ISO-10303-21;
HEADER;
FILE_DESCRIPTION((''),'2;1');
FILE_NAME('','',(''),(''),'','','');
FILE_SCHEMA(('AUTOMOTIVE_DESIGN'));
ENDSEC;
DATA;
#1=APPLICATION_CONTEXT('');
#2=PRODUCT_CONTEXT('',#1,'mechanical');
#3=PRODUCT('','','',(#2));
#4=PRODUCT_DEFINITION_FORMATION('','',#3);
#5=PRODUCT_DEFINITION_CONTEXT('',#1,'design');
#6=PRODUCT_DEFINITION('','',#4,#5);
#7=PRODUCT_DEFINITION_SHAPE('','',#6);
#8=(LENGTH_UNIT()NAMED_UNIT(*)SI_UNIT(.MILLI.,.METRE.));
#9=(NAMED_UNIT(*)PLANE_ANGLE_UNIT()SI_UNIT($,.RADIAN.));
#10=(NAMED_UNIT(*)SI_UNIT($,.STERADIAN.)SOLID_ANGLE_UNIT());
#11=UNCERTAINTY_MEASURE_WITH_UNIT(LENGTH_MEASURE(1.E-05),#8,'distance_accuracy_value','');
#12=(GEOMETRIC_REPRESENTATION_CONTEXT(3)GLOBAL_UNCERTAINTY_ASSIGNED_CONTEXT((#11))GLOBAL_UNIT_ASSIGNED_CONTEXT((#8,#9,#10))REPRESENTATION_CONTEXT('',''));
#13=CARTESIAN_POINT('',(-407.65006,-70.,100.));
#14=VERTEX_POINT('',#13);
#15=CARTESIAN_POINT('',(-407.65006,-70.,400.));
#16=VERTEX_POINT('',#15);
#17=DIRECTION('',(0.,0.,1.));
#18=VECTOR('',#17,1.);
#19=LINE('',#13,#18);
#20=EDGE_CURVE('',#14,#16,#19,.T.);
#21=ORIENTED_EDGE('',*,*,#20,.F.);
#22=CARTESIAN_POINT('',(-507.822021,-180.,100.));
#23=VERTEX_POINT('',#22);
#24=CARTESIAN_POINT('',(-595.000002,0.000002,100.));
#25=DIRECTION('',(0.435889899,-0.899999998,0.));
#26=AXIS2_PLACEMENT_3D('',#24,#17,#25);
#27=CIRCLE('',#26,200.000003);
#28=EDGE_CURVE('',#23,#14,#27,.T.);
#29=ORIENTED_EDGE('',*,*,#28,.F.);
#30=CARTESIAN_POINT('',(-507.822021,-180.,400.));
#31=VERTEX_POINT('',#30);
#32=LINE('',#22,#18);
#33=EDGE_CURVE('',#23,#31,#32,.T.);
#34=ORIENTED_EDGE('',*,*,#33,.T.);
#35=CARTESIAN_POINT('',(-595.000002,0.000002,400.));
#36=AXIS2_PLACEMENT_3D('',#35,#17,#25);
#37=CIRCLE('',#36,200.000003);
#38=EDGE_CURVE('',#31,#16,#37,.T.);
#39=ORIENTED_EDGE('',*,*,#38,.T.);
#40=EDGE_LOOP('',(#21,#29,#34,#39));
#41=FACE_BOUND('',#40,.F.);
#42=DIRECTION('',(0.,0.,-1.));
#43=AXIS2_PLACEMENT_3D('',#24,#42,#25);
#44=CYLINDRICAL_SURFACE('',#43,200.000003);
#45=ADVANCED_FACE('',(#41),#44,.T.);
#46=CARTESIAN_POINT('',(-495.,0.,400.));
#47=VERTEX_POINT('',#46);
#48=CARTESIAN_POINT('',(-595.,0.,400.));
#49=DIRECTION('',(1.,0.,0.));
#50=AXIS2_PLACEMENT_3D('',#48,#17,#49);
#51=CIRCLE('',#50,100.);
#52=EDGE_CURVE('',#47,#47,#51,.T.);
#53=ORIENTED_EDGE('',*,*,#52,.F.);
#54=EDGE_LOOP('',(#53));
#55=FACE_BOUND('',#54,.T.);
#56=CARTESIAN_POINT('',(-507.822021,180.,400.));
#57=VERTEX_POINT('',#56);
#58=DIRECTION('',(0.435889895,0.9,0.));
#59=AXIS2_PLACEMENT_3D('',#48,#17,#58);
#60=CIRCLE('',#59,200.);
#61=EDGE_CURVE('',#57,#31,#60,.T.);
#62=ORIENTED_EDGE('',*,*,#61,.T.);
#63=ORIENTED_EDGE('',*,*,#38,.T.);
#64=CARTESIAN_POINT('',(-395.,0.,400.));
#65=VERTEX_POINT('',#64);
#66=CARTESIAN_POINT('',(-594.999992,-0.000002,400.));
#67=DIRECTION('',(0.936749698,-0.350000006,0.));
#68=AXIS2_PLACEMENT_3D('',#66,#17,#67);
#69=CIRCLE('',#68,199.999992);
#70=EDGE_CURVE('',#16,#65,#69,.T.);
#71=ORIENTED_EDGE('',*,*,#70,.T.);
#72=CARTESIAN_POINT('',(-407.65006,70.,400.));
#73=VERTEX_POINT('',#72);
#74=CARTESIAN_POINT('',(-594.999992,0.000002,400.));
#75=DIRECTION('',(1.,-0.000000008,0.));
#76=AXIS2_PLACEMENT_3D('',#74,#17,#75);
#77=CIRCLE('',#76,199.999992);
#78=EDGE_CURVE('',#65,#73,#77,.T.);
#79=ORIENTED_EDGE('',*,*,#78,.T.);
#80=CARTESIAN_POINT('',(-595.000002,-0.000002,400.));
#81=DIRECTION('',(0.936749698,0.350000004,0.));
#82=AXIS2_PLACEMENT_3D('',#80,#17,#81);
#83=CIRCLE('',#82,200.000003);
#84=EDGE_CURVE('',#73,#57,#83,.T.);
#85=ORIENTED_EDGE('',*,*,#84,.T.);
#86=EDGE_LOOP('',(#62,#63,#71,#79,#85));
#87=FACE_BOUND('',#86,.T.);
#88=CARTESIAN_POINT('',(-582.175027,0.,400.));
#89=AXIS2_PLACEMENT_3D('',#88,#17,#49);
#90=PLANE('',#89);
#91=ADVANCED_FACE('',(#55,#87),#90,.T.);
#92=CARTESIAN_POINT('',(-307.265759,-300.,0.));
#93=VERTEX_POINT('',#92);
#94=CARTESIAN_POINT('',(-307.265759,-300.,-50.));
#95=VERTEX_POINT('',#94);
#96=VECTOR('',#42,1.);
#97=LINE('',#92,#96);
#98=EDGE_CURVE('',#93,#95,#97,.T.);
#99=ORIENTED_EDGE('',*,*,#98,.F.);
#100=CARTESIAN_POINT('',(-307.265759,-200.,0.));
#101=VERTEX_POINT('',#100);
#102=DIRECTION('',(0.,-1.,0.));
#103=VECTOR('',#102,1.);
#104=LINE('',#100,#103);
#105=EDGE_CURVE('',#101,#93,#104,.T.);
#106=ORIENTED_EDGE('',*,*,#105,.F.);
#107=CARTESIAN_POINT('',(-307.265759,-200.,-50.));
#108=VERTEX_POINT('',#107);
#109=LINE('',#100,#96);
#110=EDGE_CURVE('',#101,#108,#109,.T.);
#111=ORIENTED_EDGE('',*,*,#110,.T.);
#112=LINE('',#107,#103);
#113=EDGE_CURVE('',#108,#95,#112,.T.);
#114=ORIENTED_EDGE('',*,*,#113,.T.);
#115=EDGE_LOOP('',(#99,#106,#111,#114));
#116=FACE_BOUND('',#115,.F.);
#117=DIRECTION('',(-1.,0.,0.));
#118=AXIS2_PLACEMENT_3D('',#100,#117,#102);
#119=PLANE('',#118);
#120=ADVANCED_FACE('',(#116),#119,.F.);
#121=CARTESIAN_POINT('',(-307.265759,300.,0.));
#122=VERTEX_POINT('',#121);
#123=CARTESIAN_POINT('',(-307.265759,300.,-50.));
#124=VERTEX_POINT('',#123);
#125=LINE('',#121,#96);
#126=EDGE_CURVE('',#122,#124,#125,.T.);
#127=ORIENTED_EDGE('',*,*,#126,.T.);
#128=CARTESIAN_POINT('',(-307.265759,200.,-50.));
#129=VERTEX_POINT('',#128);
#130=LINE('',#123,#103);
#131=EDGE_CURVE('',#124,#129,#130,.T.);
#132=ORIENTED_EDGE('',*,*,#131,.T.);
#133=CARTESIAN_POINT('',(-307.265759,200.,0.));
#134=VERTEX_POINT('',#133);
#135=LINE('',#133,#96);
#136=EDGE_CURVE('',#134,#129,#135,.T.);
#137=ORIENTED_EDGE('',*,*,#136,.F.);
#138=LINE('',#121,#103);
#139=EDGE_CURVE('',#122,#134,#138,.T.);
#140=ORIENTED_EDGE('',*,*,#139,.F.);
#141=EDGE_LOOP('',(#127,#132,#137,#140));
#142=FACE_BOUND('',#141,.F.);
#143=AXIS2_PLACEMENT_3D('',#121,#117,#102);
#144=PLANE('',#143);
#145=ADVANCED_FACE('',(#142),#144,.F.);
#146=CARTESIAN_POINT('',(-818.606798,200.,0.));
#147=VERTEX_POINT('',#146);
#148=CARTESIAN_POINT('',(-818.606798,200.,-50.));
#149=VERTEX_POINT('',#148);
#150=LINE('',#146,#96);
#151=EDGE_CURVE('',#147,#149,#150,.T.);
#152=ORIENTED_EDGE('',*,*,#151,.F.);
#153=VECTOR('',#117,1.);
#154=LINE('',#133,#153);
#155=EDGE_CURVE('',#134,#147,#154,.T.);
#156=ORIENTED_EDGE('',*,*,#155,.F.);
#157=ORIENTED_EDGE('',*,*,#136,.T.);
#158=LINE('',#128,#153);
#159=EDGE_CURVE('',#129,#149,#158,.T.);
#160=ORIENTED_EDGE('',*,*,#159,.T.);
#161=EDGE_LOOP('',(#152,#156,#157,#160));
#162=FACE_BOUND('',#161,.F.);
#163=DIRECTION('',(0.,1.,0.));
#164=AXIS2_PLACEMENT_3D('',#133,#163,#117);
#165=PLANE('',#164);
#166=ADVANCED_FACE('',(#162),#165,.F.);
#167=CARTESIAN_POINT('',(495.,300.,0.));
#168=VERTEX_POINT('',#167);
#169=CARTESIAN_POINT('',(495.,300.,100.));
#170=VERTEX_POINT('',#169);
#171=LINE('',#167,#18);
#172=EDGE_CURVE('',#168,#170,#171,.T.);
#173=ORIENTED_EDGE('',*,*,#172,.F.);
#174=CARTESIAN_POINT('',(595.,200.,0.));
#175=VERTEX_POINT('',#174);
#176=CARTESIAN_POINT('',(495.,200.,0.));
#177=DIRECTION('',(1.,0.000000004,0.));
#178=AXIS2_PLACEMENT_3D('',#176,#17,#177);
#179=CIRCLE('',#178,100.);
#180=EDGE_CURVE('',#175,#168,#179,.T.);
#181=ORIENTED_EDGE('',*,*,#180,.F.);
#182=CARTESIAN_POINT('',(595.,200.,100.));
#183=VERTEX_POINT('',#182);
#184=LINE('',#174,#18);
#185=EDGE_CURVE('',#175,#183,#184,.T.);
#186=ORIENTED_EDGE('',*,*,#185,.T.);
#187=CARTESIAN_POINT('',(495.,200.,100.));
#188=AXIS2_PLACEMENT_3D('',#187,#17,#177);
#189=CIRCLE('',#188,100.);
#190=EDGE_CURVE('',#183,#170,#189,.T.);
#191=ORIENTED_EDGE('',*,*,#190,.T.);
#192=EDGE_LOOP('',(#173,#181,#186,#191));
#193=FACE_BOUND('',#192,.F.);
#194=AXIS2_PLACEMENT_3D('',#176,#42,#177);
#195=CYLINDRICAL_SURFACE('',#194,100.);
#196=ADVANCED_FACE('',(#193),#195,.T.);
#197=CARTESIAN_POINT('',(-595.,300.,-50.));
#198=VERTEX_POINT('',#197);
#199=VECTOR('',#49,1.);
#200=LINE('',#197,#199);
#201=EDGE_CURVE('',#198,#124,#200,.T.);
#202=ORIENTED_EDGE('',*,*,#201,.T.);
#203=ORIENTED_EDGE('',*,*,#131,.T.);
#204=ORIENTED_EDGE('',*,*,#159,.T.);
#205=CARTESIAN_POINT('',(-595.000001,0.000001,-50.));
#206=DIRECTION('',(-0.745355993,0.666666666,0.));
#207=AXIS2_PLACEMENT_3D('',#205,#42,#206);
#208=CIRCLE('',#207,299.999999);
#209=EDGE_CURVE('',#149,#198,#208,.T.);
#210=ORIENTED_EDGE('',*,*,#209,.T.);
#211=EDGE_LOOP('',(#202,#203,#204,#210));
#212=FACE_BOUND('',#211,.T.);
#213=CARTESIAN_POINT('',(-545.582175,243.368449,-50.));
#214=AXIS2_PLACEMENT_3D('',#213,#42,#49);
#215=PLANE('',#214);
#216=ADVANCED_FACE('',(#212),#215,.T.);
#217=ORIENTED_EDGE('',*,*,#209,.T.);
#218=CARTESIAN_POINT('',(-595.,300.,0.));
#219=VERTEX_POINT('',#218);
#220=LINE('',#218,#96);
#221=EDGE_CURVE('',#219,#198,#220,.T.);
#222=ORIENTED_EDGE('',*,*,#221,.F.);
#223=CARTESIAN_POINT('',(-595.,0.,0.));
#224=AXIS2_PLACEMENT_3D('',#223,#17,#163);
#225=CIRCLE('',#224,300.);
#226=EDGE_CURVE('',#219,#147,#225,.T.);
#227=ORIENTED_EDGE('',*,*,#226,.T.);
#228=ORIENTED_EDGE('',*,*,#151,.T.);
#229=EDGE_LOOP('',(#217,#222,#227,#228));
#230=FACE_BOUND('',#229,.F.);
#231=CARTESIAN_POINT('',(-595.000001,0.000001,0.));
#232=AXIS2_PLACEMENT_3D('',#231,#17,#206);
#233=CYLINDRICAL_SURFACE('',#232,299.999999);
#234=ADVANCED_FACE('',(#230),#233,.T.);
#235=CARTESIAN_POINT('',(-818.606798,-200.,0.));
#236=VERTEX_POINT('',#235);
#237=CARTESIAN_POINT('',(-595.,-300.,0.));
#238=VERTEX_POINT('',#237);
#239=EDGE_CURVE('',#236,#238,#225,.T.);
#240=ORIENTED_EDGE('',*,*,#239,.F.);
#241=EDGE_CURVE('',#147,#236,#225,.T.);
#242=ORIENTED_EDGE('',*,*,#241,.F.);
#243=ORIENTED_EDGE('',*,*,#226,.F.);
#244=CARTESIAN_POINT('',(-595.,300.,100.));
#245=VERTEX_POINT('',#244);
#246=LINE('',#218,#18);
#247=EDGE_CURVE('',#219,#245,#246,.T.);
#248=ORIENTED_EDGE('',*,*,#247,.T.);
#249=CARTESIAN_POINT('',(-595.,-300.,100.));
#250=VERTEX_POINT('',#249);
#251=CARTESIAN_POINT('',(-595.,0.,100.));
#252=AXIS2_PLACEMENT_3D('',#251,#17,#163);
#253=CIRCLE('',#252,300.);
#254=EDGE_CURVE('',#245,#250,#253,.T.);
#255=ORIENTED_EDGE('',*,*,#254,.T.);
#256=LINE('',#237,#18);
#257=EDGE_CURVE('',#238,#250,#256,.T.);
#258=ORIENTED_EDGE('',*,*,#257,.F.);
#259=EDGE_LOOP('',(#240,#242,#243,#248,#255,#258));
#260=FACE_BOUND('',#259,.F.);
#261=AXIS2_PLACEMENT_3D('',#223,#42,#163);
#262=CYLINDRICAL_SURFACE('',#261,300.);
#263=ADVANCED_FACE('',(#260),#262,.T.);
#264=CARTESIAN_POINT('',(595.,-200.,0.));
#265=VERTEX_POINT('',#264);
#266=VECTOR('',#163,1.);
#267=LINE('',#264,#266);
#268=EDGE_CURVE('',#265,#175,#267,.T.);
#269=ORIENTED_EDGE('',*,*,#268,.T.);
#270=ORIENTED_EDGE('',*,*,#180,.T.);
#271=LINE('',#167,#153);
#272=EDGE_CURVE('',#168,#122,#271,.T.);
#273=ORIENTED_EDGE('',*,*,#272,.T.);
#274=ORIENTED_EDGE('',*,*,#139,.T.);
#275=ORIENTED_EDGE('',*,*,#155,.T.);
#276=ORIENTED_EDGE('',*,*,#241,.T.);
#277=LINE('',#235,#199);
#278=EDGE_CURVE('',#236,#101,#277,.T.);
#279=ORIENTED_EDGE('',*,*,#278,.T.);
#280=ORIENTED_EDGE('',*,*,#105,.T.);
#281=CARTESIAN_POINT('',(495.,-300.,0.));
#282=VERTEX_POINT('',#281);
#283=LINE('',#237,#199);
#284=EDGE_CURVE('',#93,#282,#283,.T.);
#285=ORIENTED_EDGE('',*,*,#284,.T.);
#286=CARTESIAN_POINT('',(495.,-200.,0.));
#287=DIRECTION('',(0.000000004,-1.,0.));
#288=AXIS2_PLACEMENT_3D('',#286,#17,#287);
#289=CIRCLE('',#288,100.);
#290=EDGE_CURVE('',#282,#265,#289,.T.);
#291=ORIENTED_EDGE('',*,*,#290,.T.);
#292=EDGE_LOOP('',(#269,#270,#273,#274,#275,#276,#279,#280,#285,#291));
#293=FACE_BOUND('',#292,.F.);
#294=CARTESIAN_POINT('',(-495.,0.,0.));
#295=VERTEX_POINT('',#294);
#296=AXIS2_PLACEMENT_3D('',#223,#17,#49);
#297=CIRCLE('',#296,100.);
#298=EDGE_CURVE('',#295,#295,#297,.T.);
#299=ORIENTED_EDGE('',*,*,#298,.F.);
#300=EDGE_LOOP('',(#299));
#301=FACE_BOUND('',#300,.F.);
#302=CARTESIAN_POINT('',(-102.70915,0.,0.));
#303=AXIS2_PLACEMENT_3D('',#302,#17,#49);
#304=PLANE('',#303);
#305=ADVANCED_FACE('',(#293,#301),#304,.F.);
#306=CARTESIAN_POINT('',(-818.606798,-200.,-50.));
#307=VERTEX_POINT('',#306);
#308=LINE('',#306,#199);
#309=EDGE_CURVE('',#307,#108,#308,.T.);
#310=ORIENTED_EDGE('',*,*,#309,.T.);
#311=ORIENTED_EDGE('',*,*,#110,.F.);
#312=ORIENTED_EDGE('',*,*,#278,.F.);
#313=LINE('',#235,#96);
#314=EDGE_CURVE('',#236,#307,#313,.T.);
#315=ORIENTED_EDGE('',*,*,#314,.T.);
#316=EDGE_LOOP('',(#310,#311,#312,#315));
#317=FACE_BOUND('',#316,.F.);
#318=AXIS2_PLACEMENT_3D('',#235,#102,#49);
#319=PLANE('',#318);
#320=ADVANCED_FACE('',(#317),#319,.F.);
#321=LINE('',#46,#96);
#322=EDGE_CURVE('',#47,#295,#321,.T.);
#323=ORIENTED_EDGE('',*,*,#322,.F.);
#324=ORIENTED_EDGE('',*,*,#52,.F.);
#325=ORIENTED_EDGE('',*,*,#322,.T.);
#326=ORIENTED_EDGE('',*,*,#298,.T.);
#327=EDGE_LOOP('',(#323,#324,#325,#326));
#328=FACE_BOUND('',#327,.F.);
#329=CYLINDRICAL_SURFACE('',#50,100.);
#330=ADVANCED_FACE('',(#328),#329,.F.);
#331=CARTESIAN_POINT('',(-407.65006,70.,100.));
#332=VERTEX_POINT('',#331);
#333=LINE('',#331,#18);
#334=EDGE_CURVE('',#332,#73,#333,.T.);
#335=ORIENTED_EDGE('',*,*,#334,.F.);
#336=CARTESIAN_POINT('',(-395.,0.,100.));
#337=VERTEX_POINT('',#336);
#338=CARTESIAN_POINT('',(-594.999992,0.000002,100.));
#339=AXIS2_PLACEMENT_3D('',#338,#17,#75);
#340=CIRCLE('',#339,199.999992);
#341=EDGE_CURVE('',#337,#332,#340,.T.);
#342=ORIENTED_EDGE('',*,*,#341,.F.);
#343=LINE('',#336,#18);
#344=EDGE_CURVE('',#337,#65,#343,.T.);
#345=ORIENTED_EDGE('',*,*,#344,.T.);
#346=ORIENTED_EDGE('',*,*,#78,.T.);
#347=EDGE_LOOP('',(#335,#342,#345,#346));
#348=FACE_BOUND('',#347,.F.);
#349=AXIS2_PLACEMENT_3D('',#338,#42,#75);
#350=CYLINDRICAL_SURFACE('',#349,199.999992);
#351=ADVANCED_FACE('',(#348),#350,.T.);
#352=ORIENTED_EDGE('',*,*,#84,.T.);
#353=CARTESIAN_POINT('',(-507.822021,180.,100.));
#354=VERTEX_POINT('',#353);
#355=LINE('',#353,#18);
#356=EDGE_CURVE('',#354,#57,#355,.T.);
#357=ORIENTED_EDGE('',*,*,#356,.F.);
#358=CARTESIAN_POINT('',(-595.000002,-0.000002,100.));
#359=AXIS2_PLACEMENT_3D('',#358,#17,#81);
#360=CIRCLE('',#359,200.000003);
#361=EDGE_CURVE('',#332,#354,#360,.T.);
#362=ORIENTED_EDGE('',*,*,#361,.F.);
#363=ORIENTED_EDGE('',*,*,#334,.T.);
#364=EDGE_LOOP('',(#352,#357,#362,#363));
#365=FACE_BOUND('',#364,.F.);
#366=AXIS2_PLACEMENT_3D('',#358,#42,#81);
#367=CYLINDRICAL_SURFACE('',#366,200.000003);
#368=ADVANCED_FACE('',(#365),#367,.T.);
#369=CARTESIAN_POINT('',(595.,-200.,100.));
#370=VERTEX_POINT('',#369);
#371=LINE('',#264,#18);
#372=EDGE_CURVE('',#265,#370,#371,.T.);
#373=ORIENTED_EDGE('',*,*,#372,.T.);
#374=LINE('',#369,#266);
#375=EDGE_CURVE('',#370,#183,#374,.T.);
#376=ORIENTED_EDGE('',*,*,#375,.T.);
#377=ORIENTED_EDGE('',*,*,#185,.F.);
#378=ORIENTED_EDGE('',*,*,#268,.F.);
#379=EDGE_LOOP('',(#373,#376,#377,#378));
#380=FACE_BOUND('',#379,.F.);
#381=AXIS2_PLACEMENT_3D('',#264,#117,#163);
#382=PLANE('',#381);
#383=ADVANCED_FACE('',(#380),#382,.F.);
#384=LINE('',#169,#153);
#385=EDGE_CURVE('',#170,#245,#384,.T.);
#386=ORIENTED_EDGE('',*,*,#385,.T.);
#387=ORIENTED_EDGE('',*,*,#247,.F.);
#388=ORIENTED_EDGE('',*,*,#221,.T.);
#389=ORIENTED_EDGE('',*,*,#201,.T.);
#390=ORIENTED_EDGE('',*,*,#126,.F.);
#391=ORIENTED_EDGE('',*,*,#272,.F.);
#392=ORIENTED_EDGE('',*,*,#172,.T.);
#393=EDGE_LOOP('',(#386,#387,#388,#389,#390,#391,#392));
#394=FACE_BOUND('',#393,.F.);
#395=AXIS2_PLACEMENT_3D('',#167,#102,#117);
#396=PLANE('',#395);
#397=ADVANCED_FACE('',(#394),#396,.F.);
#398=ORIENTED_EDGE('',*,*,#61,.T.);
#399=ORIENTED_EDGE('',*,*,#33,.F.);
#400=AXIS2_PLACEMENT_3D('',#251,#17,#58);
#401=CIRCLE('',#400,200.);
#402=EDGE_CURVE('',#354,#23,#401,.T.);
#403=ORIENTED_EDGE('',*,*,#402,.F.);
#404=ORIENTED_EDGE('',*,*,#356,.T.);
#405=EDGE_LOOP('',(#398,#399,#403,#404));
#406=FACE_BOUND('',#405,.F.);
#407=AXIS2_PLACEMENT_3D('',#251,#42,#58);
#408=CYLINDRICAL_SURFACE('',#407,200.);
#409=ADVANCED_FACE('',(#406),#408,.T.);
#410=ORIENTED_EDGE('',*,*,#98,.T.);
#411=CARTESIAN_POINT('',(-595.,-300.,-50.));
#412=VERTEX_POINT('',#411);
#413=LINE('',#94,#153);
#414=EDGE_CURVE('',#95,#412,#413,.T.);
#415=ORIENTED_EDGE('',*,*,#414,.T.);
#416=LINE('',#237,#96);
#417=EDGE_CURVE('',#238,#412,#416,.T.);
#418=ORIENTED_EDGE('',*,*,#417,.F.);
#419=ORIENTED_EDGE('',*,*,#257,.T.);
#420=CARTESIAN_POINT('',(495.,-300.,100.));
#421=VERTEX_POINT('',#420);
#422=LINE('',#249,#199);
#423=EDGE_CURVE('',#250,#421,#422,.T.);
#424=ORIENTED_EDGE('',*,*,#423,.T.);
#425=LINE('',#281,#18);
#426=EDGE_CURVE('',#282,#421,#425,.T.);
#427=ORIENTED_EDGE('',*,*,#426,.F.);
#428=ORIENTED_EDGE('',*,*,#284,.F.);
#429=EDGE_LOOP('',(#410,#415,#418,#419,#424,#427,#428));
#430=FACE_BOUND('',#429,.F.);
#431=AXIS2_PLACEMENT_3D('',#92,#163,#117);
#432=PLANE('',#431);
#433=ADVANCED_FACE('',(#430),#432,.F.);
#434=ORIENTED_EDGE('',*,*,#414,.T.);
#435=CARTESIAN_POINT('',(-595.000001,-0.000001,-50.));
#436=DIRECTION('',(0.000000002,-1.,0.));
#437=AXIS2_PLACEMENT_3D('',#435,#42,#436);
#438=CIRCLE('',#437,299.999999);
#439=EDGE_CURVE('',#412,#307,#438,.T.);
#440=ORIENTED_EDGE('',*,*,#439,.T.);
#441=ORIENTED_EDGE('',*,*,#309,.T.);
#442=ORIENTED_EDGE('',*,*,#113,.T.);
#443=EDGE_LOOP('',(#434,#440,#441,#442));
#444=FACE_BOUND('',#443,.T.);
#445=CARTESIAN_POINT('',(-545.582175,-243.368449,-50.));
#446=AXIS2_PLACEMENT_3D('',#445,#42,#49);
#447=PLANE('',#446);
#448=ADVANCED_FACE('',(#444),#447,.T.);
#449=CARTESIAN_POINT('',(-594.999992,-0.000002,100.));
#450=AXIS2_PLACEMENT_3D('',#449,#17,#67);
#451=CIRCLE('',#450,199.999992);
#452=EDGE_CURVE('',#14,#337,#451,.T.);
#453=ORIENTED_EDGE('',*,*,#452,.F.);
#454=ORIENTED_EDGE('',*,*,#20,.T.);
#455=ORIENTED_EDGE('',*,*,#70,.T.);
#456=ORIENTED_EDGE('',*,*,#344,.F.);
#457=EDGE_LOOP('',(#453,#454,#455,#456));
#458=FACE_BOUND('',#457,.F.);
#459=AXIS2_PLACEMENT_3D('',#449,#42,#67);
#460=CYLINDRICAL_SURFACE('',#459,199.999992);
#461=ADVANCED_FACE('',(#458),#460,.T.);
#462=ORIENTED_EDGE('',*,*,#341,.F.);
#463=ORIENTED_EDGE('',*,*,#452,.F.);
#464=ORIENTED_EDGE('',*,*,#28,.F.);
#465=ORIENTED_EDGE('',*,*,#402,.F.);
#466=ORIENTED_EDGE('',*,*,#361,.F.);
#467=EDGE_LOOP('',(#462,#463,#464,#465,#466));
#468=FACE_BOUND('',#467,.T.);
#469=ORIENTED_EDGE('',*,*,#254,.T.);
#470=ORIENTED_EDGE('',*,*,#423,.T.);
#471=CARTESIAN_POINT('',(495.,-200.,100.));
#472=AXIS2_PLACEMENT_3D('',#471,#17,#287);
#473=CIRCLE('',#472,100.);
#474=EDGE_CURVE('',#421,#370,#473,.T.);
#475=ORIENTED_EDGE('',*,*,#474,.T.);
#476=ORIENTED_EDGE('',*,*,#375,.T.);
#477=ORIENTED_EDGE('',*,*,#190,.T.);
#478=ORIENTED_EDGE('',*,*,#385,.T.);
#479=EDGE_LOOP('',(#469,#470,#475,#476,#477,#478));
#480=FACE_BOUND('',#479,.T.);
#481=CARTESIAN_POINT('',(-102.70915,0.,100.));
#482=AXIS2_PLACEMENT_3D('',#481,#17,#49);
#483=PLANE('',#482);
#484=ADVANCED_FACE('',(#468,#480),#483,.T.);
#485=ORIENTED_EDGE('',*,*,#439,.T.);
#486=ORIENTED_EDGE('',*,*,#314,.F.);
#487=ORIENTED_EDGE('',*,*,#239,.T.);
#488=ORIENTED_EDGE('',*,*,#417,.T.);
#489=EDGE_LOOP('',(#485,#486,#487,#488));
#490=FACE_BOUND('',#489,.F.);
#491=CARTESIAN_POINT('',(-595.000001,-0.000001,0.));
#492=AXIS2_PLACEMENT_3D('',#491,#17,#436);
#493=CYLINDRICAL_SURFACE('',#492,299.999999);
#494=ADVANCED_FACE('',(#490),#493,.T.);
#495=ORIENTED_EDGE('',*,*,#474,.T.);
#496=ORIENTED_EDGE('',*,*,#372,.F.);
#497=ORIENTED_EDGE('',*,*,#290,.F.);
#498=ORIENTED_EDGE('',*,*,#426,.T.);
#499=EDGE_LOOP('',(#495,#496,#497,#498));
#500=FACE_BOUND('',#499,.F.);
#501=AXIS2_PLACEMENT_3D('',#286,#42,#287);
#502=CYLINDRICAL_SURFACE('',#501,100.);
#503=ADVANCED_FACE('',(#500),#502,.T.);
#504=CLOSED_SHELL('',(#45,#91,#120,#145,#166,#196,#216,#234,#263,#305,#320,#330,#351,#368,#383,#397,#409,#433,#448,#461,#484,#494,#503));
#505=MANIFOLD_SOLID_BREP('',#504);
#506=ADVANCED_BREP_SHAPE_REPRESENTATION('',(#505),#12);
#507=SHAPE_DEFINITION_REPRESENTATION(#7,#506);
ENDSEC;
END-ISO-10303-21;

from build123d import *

# Parameters (mm, degrees)
F1_DEPTH = 100
F3_DEPTH = 50
F5_DEPTH = 300
F6_R     = 100
F7_DEPTH = 450.001


with BuildPart() as f1:
    # F0 (on Top) → F1 (new body)
    with BuildSketch(Plane.XY):
        with BuildLine():
            ThreePointArc((-595, 300), (-895, 0), (-595, -300))
            Line((-595, -300), (495, -300))
            ThreePointArc((495, -300), (565.710678, -270.710678), (595, -200))
            Line((595, -200), (595, 200))
            ThreePointArc((595, 200), (565.710678, 270.710678), (495, 300))
            Line((495, 300), (-595, 300))
        make_face()
    extrude(amount=F1_DEPTH)

    # F2 (on face) → F3 (join)
    with BuildSketch(Plane(origin=(0, 0, 0), x_dir=(1, 0, 0), z_dir=(0, 0, -1))):
        with BuildLine():
            ThreePointArc((-595, 300), (-717.474487, 273.861279), (-818.606798, 200))
            Line((-818.606798, 200), (-307.265759, 200))
            Line((-307.265759, 200), (-307.265759, 300))
            Line((-307.265759, 300), (-595, 300))
        make_face()
        with BuildLine():
            Line((-307.265759, -200), (-818.606798, -200))
            ThreePointArc((-818.606798, -200), (-717.474487, -273.861279), (-595, -300))
            Line((-595, -300), (-307.265759, -300))
            Line((-307.265759, -300), (-307.265759, -200))
        make_face()
    extrude(amount=F3_DEPTH)

    # F4 (on face) → F5 (join)
    with BuildSketch(Plane.XY.offset(100)):
        with BuildLine():
            ThreePointArc((-407.65006, -70), (-398.187922, -35.566923), (-395, 0))
            ThreePointArc((-395, 0), (-398.187922, 35.566923), (-407.65006, 70))
            ThreePointArc((-407.65006, 70), (-447.1271, 134.661076), (-507.822021, 180))
            ThreePointArc((-507.822021, 180), (-795, 0), (-507.822021, -180))
            ThreePointArc((-507.822021, -180), (-447.1271, -134.661076), (-407.65006, -70))
        make_face()
    extrude(amount=F5_DEPTH)

    # F6 (on face) → F7 (cut, through all)
    with BuildSketch(Plane.XY.offset(400)):
        with Locations((-595, 0)):
            Circle(F6_R)
    extrude(amount=-F7_DEPTH, mode=Mode.SUBTRACT)


solid = f1.part
